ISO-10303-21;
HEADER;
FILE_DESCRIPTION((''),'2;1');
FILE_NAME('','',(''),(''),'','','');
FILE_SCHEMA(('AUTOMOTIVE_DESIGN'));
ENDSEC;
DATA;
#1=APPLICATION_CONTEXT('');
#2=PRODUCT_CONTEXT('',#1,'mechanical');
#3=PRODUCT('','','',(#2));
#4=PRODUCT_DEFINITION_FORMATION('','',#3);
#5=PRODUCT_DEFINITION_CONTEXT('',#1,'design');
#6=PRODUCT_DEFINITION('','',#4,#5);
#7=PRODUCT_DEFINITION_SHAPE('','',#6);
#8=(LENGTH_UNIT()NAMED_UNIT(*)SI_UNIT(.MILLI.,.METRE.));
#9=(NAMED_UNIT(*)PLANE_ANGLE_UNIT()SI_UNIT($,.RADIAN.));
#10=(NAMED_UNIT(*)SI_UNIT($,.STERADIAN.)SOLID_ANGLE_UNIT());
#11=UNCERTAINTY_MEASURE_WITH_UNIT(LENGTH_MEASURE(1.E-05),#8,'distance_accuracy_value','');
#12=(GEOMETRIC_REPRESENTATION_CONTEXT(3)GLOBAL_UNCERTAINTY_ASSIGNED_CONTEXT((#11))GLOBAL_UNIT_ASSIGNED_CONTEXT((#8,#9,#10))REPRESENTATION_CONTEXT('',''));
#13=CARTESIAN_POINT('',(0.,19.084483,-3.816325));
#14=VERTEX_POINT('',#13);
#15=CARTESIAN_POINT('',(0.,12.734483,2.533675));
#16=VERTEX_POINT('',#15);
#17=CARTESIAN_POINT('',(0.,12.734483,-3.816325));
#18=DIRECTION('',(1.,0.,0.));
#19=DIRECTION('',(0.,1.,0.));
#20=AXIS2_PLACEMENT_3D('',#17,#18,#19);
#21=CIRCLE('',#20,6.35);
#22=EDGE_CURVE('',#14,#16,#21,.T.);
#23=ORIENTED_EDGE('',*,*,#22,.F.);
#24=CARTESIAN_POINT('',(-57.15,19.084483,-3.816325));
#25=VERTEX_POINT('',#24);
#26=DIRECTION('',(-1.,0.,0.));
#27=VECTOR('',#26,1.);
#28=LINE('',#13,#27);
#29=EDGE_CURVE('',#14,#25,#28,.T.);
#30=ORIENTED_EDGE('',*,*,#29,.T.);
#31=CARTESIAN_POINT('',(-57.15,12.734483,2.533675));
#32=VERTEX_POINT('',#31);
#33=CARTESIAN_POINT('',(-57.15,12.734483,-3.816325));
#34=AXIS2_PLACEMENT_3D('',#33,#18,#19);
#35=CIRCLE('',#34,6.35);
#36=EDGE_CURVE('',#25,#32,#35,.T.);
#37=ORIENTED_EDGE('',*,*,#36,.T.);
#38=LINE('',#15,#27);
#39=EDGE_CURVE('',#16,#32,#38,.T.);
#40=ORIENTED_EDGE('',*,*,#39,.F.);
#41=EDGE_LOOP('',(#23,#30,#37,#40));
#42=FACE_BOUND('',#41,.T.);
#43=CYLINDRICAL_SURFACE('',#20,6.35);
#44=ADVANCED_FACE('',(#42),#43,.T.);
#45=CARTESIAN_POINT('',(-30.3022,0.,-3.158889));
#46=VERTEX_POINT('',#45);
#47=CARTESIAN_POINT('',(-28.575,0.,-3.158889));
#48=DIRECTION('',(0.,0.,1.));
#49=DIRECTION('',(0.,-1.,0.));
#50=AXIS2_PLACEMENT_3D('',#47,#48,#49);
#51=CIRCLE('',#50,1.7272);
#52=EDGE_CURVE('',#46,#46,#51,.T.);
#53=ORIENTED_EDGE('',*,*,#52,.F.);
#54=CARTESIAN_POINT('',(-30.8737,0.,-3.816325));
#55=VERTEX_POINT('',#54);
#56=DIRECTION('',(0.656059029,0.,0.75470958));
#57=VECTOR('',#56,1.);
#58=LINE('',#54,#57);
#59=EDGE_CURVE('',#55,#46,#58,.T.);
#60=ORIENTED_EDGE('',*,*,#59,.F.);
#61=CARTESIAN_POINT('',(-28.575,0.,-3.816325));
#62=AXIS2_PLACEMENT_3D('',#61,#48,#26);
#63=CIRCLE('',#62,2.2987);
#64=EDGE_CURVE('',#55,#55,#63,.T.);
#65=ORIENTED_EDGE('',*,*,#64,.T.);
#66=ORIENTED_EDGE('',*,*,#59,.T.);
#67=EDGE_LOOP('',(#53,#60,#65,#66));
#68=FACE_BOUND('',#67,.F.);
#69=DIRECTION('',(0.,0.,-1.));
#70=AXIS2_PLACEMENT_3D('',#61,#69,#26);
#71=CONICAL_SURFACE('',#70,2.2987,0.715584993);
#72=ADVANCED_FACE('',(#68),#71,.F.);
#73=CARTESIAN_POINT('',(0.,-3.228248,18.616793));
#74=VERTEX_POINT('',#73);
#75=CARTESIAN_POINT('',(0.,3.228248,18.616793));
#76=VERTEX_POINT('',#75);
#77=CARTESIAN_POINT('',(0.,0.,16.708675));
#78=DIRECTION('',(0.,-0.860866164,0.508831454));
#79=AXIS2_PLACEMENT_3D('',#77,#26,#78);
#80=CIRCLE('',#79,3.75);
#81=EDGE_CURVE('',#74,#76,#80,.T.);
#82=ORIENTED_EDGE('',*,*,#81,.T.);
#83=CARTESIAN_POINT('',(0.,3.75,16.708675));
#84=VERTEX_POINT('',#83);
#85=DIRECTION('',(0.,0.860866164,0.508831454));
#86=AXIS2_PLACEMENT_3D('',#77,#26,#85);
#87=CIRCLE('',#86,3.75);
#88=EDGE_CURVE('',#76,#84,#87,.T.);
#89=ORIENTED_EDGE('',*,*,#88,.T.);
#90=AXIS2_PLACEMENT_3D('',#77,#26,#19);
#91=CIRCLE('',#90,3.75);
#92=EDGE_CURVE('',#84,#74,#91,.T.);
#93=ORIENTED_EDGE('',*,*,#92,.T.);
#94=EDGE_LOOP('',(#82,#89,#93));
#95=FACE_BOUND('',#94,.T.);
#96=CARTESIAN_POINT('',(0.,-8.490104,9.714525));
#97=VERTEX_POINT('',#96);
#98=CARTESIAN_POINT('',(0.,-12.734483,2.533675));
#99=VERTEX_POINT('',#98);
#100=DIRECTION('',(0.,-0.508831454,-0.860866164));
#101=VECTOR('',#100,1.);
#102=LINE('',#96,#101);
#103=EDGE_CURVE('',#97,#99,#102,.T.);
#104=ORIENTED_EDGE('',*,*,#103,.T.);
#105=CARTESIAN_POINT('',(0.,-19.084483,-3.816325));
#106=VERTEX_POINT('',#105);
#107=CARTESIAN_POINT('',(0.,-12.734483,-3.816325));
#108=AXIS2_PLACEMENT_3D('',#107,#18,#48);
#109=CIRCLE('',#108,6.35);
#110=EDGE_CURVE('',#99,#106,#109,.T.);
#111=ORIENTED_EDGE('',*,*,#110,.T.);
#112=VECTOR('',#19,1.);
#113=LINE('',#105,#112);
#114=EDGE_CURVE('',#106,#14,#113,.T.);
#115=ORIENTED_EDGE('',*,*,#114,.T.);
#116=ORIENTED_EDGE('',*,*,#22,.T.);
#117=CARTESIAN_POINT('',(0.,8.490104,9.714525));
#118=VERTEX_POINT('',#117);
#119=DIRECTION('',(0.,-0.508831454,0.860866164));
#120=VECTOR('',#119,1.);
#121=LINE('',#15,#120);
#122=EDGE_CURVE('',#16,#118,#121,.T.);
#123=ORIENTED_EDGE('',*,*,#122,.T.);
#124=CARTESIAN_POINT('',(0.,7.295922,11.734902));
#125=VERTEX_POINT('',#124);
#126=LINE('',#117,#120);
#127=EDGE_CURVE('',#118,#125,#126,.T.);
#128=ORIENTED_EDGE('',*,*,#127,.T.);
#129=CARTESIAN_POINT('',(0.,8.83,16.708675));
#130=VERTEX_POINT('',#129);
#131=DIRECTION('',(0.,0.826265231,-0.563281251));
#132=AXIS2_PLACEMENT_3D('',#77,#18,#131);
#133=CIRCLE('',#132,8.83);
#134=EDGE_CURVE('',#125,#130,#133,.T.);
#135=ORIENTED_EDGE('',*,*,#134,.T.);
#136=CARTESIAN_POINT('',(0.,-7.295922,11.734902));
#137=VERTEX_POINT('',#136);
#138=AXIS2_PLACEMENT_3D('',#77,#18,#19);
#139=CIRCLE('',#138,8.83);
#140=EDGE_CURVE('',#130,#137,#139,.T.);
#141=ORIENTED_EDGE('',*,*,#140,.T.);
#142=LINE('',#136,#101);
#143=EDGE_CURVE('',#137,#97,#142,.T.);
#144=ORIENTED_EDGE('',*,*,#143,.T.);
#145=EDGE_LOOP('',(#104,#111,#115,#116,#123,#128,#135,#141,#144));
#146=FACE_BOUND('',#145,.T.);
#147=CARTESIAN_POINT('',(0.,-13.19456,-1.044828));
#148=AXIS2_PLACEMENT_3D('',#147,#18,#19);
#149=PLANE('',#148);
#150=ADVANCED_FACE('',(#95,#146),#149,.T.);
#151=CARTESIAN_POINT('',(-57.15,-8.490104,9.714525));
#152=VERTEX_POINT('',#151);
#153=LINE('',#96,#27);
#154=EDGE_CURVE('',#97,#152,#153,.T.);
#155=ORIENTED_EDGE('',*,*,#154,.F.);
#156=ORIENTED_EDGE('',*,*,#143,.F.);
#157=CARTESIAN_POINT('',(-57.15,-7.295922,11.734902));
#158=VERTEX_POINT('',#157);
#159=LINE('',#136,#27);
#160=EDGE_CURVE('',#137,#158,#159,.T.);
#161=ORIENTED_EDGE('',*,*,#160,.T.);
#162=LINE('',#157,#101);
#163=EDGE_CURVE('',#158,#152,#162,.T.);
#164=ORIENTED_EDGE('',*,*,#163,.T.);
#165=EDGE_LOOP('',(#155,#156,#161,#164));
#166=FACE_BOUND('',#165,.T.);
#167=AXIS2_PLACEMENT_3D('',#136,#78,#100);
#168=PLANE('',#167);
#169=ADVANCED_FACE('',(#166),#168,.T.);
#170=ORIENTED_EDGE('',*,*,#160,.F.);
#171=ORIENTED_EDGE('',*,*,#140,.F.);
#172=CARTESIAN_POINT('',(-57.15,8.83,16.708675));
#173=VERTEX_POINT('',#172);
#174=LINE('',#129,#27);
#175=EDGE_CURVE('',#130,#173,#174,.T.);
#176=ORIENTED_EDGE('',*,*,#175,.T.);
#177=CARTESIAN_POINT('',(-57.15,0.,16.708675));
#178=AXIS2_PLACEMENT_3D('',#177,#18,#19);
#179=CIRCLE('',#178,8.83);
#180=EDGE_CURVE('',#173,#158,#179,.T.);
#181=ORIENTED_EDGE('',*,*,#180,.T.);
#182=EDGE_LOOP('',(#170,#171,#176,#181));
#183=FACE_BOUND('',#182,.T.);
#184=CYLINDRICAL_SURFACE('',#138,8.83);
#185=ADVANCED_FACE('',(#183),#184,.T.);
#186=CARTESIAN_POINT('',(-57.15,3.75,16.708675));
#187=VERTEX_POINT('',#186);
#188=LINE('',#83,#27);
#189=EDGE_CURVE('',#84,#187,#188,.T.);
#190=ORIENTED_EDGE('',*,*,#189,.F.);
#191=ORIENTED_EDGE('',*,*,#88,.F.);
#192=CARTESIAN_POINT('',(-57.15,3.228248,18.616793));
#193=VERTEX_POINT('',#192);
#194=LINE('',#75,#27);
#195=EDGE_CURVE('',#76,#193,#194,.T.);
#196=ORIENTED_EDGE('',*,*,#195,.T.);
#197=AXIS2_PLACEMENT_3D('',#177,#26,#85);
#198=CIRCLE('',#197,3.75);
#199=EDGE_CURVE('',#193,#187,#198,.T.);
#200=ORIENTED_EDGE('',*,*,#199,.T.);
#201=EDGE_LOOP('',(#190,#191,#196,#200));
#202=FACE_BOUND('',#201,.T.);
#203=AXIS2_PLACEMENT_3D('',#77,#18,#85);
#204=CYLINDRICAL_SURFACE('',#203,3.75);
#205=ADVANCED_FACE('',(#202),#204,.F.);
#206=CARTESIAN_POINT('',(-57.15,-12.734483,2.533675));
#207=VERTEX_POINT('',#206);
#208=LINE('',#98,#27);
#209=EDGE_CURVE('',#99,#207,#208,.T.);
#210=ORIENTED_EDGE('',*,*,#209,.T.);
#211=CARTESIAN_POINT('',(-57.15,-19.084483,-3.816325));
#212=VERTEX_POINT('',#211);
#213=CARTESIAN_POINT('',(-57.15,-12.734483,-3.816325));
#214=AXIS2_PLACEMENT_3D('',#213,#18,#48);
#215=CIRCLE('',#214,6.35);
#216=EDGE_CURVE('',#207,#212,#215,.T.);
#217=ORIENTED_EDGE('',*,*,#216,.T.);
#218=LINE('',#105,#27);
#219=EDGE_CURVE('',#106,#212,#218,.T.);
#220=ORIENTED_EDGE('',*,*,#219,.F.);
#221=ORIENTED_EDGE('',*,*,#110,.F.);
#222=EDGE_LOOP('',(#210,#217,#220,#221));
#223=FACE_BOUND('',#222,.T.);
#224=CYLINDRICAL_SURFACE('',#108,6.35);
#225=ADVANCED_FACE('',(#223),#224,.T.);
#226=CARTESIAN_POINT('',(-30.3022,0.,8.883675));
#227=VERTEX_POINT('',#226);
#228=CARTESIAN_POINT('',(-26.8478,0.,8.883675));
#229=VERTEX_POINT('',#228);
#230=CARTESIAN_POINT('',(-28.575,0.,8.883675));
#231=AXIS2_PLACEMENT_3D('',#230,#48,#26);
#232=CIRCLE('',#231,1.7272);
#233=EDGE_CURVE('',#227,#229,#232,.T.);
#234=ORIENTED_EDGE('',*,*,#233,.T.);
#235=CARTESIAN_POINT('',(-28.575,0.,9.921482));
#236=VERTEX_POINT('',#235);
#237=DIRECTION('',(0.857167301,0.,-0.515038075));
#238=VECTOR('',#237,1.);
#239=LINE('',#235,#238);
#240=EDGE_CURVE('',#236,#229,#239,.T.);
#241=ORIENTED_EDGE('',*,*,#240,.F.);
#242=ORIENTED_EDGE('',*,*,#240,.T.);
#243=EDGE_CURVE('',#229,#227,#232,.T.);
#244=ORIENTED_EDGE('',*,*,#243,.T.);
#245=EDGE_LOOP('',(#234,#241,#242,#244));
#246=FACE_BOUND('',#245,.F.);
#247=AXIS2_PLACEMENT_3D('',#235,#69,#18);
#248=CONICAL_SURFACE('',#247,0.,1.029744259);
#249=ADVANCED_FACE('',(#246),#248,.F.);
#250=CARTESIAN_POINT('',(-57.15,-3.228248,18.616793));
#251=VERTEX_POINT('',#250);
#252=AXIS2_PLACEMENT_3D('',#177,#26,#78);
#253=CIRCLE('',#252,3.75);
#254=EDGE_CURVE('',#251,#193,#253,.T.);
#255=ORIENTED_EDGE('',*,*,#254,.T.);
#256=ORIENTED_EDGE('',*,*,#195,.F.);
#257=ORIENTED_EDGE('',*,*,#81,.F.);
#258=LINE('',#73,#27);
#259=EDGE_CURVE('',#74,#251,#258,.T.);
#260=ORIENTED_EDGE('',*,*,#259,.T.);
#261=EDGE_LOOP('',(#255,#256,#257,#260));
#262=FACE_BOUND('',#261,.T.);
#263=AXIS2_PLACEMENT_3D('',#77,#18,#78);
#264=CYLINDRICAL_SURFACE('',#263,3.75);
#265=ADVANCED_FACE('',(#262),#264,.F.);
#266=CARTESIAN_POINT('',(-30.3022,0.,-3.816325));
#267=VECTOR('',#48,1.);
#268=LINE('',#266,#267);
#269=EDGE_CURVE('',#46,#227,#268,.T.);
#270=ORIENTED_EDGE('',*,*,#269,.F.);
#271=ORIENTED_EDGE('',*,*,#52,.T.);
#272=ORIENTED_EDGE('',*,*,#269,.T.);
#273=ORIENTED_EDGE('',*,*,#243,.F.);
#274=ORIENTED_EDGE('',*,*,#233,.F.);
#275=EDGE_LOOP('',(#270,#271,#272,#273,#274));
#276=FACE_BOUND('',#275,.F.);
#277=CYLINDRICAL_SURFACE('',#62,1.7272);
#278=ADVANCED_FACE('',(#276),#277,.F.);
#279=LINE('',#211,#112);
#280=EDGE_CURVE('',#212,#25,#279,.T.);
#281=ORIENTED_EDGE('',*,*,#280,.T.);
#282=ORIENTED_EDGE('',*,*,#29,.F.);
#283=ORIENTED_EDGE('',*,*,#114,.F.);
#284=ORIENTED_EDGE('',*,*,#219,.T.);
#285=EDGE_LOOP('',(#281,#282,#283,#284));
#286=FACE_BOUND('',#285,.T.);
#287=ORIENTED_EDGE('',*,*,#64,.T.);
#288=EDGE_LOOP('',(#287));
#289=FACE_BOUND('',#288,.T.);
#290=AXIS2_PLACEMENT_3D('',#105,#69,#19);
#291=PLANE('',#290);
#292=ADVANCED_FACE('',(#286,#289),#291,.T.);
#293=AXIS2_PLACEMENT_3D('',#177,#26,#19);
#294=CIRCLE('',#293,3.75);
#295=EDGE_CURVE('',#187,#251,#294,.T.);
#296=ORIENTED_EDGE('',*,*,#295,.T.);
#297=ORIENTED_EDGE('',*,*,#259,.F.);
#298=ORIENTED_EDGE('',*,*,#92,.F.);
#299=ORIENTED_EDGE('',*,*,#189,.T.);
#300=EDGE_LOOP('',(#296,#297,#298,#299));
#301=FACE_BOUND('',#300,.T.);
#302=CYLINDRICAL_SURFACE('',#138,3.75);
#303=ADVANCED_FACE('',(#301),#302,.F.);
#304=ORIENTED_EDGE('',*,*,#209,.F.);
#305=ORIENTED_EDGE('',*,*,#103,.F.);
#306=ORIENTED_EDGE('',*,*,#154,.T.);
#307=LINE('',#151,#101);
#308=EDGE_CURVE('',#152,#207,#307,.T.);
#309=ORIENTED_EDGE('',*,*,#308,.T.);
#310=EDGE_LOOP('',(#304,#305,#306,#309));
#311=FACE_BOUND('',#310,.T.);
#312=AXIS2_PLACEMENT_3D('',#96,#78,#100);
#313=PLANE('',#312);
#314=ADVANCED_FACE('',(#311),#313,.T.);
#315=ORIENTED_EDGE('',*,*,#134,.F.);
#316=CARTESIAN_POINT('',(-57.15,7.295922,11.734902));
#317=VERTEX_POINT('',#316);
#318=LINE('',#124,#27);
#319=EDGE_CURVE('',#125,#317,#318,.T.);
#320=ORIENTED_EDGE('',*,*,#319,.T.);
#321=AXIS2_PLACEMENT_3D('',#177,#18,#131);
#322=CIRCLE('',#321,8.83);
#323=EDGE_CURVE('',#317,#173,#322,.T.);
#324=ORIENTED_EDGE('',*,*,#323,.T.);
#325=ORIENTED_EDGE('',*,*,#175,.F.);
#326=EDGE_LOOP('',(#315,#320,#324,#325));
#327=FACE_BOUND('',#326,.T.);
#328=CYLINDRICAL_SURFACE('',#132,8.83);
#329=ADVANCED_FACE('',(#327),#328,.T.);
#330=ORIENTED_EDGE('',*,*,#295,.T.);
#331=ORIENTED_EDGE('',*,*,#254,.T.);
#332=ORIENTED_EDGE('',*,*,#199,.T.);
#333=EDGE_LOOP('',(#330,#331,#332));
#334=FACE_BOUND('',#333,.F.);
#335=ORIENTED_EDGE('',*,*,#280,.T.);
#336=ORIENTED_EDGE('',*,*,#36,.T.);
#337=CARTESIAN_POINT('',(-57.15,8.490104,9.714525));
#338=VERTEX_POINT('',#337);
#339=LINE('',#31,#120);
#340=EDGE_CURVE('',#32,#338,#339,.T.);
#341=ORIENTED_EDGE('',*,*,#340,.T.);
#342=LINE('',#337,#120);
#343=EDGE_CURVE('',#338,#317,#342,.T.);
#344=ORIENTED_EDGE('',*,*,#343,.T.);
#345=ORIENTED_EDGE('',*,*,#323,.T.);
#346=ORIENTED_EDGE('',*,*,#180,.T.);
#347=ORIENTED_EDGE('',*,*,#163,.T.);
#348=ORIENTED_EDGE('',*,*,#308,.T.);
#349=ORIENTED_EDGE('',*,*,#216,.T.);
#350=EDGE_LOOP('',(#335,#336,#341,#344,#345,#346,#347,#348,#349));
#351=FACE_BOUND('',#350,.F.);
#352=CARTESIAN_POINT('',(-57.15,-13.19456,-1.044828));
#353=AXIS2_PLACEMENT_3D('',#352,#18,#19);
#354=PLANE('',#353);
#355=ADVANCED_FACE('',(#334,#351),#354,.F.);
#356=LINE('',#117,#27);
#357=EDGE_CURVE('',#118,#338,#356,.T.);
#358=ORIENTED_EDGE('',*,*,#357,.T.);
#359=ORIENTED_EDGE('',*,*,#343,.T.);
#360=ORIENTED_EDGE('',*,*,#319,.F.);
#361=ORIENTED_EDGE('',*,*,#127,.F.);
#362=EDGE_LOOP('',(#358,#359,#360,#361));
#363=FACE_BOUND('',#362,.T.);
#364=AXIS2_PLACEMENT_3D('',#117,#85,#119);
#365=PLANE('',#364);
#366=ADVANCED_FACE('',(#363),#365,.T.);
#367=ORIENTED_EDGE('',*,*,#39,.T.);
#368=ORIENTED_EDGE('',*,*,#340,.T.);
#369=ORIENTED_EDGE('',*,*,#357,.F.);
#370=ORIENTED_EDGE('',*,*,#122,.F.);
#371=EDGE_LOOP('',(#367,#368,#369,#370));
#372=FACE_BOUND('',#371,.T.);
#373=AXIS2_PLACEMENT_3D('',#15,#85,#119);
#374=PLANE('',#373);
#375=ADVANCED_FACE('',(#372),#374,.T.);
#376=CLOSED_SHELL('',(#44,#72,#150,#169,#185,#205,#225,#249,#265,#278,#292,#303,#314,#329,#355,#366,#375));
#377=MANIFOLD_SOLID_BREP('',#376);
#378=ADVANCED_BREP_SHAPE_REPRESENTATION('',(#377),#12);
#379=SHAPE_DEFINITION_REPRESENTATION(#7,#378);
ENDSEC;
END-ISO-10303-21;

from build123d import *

# Parameters (mm, degrees)
F0_W           = 8.4991231561
F0_H           = 6.35
F1_DEPTH       = 57.15
F3_D           = 3.4544
F3_DEPTH       = 12.7
F3_CSINK_D     = 4.5974
F3_CSINK_ANGLE = 82
F3_TIP         = 1.0378064612


with BuildPart() as f1:
    # F0 (on Right) → F1 (new body)
    with BuildSketch(Plane.YZ):
        with BuildLine():
            Line((-8.4991231561, 2.5336752819), (-12.7344833851, 2.5336752819))
            ThreePointArc((-12.7344833851, 2.5336752819), (-17.2246114456, 0.6738033425), (-19.0844833851, -3.8163247181))
            Line((-19.0844833851, -3.8163247181), (-8.4991231561, -3.8163247181))
            Line((-8.4991231561, -3.8163247181), (-8.4991231561, 2.5336752819))
        make_face()
        with Locations((-4.249561578, -0.6413247181)):
            Rectangle(F0_W, F0_H)
        with Locations((4.249561578, -0.6413247181)):
            Rectangle(F0_W, F0_H)
        with BuildLine():
            ThreePointArc((19.0844833851, -3.8163247181), (17.2246114456, 0.6738033425), (12.7344833851, 2.5336752819))
            Line((12.7344833851, 2.5336752819), (8.4991231561, 2.5336752819))
            Line((8.4991231561, 2.5336752819), (8.4991231561, -3.8163247181))
            Line((8.4991231561, -3.8163247181), (19.0844833851, -3.8163247181))
        make_face()
        with BuildLine():
            ThreePointArc((8.4901041675, 9.7145254963), (0, 5.7086752819), (-8.4901041675, 9.7145254963))
            Line((-8.4901041675, 9.7145254963), (-12.7344833851, 2.5336752819))
            Line((-12.7344833851, 2.5336752819), (-8.4991231561, 2.5336752819))
            Line((-8.4991231561, 2.5336752819), (0, 2.5336752819))
            Line((0, 2.5336752819), (8.4991231561, 2.5336752819))
            Line((8.4991231561, 2.5336752819), (12.7344833851, 2.5336752819))
            Line((12.7344833851, 2.5336752819), (8.4901041675, 9.7145254963))
        make_face()
        with BuildLine():
            Line((-7.2959219906, 11.7349018344), (-8.4901041675, 9.7145254963))
            ThreePointArc((-8.4901041675, 9.7145254963), (0, 5.7086752819), (8.4901041675, 9.7145254963))
            Line((8.4901041675, 9.7145254963), (7.2959219906, 11.7349018344))
            ThreePointArc((7.2959219906, 11.7349018344), (0, 7.8786752819), (-7.2959219906, 11.7349018344))
        make_face()
        with BuildLine():
            ThreePointArc((8.83, 16.7086752819), (-2.6024900406, 25.1464442755), (-7.2959219906, 11.7349018344))
            Line((-7.2959219906, 11.7349018344), (-3.2282481135, 18.6167932336))
            ThreePointArc((-3.2282481135, 18.6167932336), (0, 20.4586752819), (3.2282481135, 18.6167932336))
            Line((3.2282481135, 18.6167932336), (7.2959219906, 11.7349018344))
            ThreePointArc((7.2959219906, 11.7349018344), (8.4377689935, 14.1061852413), (8.83, 16.7086752819))
        make_face()
        with BuildLine():
            Line((-3.2282481135, 18.6167932336), (-7.2959219906, 11.7349018344))
            ThreePointArc((-7.2959219906, 11.7349018344), (0, 7.8786752819), (7.2959219906, 11.7349018344))
            Line((7.2959219906, 11.7349018344), (3.2282481135, 18.6167932336))
            ThreePointArc((3.2282481135, 18.6167932336), (3.6172109716, 17.6977580829), (3.75, 16.7086752819))
            ThreePointArc((3.75, 16.7086752819), (-0.9890828009, 13.0914643104), (-3.2282481135, 18.6167932336))
        make_face()
    extrude(amount=-F1_DEPTH)

    # F3
    with Locations(Plane(origin=(0, 0, -3.8163247181), x_dir=(1, 0, 0), z_dir=(0, 0, -1))):
        with Locations((-28.575, 0)):
            CounterSinkHole(F3_D / 2, F3_CSINK_D / 2, depth=F3_DEPTH, counter_sink_angle=F3_CSINK_ANGLE)
            with Locations((0, 0, -(F3_DEPTH + F3_TIP / 2))):  # 118° drill point
                Cone(0, F3_D / 2, F3_TIP, mode=Mode.SUBTRACT)


solid = f1.part
